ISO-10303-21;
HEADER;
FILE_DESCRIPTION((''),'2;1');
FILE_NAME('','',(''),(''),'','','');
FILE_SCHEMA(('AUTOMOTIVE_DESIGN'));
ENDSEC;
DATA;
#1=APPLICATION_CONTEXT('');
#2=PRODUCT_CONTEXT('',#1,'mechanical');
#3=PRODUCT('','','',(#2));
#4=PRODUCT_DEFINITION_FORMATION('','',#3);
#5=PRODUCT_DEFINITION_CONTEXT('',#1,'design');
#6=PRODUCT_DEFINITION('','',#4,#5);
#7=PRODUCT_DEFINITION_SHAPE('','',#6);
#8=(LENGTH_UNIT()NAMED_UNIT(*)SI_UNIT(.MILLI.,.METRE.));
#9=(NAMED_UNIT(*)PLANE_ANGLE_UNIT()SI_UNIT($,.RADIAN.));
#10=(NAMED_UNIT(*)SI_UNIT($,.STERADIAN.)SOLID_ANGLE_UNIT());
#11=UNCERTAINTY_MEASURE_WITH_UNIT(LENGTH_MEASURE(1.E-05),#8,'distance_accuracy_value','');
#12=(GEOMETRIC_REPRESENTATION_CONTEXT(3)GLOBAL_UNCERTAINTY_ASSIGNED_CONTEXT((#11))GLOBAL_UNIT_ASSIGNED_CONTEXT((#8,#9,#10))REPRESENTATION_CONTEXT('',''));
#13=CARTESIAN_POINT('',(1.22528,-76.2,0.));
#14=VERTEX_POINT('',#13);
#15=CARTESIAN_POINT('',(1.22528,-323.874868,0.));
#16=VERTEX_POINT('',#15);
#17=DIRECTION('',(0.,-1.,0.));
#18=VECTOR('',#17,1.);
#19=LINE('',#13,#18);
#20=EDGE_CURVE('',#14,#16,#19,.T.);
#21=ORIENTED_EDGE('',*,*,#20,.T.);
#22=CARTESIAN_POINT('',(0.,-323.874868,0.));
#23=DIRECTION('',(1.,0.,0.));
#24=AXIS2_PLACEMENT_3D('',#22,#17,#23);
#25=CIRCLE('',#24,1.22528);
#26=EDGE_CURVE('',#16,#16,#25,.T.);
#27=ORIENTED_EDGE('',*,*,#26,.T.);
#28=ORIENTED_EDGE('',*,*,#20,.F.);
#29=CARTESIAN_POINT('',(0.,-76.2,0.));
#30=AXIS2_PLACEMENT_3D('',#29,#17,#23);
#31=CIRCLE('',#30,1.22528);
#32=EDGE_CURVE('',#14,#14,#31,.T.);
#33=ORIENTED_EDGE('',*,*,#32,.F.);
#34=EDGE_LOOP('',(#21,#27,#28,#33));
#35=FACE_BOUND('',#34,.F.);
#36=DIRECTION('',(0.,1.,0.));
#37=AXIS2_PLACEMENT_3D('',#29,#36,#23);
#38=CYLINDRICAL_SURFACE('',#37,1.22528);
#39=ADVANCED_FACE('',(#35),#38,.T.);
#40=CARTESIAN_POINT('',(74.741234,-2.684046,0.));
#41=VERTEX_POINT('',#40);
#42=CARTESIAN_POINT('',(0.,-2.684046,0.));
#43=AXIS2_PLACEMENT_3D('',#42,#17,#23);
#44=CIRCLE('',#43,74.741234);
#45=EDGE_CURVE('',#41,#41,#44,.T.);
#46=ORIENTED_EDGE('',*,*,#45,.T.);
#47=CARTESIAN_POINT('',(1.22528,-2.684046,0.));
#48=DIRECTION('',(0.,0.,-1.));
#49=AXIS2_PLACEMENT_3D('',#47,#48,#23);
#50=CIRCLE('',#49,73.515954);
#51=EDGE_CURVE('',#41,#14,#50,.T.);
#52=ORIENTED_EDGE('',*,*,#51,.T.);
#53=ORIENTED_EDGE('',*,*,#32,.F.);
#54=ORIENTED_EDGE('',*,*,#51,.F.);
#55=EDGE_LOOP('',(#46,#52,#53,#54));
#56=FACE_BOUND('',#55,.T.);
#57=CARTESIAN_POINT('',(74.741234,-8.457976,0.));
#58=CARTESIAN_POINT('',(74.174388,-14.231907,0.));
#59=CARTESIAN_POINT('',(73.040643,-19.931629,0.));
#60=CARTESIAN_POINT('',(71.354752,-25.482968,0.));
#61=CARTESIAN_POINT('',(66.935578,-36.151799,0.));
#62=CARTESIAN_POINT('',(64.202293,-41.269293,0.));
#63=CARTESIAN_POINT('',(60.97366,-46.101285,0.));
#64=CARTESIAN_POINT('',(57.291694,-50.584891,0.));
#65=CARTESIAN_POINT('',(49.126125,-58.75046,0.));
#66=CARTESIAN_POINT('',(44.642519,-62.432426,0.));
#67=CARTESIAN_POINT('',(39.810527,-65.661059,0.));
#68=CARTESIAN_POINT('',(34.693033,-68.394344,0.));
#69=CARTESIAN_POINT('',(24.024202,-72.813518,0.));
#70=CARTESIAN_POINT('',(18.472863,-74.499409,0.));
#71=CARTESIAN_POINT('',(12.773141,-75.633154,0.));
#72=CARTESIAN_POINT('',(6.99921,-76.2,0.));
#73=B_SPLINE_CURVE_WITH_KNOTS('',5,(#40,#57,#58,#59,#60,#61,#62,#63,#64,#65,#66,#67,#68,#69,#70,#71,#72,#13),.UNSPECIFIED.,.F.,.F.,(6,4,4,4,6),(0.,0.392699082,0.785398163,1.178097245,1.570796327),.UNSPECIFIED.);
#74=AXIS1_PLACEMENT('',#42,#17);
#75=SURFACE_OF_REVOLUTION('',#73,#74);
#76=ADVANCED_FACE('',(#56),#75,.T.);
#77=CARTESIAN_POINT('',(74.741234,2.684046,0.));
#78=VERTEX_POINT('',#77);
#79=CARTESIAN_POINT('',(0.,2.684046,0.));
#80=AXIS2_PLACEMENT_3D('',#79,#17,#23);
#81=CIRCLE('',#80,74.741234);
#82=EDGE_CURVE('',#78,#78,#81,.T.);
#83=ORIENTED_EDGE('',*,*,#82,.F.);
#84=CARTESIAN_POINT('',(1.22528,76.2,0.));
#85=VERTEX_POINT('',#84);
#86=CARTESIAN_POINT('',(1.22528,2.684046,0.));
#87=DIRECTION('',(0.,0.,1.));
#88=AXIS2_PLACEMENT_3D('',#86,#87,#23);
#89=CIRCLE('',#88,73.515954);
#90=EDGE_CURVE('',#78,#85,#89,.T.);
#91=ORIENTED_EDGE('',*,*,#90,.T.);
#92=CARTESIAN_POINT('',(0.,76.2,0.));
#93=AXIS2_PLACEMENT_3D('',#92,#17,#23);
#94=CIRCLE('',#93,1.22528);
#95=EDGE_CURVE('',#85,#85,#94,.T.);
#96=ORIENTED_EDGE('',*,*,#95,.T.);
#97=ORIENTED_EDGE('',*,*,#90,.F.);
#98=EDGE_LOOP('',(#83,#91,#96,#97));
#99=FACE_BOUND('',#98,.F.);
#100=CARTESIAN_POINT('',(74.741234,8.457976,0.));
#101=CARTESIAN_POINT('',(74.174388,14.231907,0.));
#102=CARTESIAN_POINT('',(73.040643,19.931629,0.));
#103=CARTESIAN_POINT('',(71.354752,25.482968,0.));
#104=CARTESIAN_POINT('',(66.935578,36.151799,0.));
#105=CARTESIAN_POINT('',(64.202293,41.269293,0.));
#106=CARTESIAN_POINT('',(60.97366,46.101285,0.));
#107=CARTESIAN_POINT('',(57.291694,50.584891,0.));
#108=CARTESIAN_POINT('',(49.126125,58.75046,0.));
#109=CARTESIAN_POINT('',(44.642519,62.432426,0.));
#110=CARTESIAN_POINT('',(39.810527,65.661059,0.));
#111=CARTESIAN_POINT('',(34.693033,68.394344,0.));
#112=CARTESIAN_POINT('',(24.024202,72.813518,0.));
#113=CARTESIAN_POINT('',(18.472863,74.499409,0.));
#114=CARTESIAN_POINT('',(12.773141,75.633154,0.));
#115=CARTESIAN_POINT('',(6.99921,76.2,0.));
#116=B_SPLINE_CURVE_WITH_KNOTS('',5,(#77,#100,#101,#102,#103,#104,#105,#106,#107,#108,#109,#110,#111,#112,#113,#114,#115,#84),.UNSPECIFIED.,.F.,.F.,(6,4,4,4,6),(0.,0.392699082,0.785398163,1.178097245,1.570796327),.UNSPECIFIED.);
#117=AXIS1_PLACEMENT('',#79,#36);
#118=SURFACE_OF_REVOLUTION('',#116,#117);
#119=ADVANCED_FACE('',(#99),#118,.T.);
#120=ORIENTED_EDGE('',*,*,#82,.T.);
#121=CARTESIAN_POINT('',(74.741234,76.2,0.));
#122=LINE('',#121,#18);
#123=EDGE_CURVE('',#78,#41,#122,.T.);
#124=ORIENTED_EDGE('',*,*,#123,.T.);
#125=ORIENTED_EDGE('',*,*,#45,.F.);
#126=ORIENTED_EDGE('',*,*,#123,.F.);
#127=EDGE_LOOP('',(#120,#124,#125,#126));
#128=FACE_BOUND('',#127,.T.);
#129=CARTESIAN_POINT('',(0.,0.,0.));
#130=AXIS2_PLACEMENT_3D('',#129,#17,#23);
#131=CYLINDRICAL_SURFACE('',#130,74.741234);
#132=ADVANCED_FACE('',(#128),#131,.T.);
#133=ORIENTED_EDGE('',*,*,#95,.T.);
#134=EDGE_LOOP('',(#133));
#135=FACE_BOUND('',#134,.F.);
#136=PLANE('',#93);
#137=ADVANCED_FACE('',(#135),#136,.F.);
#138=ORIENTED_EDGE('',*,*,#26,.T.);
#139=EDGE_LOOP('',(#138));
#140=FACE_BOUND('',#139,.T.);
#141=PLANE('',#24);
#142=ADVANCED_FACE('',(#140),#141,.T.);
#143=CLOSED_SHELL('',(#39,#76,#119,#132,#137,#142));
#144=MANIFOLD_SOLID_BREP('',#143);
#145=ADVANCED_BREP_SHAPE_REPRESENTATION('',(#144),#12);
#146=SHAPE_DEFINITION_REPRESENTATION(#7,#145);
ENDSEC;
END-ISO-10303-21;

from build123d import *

# Parameters (mm, degrees)
F0_R      = 74.741234
F1_DEPTH  = 76.2
F2_R      = 73.515954
F1_FACE_R = 1.22528
F3_DEPTH  = 247.674868


with BuildPart() as f1:
    # F0 (on Front) → F1 (new body, symmetric)
    with BuildSketch(Plane.XZ):
        Circle(F0_R)
    extrude(amount=F1_DEPTH, both=True)

    # F2
    f2_edges = [f1.edges().sort_by_distance(p)[0] for p in [
        (-74.741234, 76.2, 0),
        (74.741234, 0, 0),
        (-74.741234, -76.2, 0),
    ]]
    fillet(f2_edges, radius=F2_R)

    # F1_face (on face) → F3 (join)
    with BuildSketch(Plane.XZ.offset(76.2)):
        Circle(F1_FACE_R)
    extrude(amount=F3_DEPTH)


solid = f1.part
